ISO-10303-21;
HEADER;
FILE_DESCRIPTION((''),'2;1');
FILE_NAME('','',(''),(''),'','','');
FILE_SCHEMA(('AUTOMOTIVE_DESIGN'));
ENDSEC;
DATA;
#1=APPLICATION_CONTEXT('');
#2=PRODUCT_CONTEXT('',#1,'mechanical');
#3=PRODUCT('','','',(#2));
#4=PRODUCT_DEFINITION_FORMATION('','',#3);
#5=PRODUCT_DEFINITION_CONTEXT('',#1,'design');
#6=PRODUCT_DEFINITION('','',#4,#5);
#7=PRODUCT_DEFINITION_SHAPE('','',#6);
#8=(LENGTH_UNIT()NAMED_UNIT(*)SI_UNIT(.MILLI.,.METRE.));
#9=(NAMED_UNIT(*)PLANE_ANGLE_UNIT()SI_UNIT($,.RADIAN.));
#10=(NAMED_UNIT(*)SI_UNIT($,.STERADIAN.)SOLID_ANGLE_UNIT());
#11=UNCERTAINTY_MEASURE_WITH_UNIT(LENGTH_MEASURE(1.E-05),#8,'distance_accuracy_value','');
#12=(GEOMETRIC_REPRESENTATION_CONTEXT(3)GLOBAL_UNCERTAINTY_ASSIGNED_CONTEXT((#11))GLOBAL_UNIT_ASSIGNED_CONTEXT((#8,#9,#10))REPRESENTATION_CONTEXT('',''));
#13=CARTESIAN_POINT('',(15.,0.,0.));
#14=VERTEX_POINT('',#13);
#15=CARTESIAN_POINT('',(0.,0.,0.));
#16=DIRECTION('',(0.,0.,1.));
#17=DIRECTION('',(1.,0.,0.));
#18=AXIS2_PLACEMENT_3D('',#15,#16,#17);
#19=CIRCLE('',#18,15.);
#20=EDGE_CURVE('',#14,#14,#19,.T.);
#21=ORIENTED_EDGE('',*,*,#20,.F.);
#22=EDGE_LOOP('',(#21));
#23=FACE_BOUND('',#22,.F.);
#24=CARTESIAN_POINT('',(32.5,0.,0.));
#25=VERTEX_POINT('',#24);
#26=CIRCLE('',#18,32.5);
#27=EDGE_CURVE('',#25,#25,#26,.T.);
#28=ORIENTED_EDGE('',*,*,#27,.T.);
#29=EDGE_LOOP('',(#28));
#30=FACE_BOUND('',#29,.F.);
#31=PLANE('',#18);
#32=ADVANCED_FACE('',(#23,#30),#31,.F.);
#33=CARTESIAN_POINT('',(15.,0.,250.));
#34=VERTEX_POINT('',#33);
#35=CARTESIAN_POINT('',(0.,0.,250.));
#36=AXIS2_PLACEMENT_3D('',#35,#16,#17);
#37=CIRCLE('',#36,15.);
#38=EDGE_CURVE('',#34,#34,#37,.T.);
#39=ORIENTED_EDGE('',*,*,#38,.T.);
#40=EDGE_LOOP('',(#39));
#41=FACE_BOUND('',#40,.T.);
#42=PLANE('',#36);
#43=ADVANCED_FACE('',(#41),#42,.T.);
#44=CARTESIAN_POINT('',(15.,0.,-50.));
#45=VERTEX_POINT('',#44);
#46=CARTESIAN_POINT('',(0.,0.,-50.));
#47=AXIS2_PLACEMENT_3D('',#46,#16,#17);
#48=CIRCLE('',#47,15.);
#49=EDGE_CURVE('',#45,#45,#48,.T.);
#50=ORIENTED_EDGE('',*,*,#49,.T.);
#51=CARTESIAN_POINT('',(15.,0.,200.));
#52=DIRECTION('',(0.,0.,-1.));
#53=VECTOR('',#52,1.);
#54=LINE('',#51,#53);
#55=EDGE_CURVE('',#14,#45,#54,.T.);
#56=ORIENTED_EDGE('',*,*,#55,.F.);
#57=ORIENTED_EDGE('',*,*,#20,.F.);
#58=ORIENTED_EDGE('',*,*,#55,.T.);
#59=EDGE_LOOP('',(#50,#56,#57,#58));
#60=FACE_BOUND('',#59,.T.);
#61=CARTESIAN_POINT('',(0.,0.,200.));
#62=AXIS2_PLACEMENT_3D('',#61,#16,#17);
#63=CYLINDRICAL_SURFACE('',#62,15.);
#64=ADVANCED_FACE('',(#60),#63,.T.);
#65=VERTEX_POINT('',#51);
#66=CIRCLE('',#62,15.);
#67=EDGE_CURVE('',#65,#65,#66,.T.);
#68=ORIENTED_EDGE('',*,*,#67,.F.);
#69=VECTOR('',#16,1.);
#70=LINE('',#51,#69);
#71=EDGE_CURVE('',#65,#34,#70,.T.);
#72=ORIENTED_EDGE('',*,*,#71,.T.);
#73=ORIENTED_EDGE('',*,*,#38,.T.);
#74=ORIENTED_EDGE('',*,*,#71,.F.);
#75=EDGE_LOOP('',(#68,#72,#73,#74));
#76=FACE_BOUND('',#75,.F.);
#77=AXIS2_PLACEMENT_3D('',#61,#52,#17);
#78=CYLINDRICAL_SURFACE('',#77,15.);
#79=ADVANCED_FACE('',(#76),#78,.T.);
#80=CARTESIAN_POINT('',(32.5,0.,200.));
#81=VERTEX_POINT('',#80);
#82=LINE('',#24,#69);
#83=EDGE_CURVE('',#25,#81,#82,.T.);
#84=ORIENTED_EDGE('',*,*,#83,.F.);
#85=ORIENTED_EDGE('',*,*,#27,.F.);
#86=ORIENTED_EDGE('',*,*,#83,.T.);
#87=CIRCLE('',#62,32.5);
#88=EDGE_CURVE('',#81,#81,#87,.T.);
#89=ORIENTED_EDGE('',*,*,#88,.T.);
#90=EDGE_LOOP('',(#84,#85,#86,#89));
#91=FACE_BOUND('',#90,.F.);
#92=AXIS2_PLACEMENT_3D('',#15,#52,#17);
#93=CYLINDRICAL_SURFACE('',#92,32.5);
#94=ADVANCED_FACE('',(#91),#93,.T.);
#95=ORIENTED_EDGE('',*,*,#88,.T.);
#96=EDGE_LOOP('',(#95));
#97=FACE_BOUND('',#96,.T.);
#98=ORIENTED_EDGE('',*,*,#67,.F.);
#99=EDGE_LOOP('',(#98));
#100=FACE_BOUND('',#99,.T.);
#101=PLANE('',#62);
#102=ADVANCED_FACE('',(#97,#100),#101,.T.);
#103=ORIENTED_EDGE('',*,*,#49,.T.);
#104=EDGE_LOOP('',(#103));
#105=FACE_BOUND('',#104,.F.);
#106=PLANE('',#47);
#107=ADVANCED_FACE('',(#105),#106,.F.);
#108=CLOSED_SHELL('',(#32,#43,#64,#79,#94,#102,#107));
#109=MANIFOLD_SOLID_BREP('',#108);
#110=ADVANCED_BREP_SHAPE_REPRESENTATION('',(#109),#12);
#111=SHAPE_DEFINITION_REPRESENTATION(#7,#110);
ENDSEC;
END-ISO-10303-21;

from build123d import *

# Parameters (mm, degrees)
F0_R     = 32.5
F1_DEPTH = 200
F2_R     = 15
F3_DEPTH = 50
F4_DEPTH = 250


with BuildPart() as f1:
    # F0 (on Top) → F1 (new body)
    with BuildSketch(Plane.XY):
        Circle(F0_R)
    extrude(amount=F1_DEPTH)

    # F2 (on face) → F3 (join)
    with BuildSketch(Plane.XY.offset(200)):
        Circle(F2_R)
    extrude(amount=F3_DEPTH)

    # F2 (on face) → F4 (join)
    with BuildSketch(Plane.XY.offset(200)):
        Circle(F2_R)
    extrude(amount=-F4_DEPTH)


solid = f1.part
